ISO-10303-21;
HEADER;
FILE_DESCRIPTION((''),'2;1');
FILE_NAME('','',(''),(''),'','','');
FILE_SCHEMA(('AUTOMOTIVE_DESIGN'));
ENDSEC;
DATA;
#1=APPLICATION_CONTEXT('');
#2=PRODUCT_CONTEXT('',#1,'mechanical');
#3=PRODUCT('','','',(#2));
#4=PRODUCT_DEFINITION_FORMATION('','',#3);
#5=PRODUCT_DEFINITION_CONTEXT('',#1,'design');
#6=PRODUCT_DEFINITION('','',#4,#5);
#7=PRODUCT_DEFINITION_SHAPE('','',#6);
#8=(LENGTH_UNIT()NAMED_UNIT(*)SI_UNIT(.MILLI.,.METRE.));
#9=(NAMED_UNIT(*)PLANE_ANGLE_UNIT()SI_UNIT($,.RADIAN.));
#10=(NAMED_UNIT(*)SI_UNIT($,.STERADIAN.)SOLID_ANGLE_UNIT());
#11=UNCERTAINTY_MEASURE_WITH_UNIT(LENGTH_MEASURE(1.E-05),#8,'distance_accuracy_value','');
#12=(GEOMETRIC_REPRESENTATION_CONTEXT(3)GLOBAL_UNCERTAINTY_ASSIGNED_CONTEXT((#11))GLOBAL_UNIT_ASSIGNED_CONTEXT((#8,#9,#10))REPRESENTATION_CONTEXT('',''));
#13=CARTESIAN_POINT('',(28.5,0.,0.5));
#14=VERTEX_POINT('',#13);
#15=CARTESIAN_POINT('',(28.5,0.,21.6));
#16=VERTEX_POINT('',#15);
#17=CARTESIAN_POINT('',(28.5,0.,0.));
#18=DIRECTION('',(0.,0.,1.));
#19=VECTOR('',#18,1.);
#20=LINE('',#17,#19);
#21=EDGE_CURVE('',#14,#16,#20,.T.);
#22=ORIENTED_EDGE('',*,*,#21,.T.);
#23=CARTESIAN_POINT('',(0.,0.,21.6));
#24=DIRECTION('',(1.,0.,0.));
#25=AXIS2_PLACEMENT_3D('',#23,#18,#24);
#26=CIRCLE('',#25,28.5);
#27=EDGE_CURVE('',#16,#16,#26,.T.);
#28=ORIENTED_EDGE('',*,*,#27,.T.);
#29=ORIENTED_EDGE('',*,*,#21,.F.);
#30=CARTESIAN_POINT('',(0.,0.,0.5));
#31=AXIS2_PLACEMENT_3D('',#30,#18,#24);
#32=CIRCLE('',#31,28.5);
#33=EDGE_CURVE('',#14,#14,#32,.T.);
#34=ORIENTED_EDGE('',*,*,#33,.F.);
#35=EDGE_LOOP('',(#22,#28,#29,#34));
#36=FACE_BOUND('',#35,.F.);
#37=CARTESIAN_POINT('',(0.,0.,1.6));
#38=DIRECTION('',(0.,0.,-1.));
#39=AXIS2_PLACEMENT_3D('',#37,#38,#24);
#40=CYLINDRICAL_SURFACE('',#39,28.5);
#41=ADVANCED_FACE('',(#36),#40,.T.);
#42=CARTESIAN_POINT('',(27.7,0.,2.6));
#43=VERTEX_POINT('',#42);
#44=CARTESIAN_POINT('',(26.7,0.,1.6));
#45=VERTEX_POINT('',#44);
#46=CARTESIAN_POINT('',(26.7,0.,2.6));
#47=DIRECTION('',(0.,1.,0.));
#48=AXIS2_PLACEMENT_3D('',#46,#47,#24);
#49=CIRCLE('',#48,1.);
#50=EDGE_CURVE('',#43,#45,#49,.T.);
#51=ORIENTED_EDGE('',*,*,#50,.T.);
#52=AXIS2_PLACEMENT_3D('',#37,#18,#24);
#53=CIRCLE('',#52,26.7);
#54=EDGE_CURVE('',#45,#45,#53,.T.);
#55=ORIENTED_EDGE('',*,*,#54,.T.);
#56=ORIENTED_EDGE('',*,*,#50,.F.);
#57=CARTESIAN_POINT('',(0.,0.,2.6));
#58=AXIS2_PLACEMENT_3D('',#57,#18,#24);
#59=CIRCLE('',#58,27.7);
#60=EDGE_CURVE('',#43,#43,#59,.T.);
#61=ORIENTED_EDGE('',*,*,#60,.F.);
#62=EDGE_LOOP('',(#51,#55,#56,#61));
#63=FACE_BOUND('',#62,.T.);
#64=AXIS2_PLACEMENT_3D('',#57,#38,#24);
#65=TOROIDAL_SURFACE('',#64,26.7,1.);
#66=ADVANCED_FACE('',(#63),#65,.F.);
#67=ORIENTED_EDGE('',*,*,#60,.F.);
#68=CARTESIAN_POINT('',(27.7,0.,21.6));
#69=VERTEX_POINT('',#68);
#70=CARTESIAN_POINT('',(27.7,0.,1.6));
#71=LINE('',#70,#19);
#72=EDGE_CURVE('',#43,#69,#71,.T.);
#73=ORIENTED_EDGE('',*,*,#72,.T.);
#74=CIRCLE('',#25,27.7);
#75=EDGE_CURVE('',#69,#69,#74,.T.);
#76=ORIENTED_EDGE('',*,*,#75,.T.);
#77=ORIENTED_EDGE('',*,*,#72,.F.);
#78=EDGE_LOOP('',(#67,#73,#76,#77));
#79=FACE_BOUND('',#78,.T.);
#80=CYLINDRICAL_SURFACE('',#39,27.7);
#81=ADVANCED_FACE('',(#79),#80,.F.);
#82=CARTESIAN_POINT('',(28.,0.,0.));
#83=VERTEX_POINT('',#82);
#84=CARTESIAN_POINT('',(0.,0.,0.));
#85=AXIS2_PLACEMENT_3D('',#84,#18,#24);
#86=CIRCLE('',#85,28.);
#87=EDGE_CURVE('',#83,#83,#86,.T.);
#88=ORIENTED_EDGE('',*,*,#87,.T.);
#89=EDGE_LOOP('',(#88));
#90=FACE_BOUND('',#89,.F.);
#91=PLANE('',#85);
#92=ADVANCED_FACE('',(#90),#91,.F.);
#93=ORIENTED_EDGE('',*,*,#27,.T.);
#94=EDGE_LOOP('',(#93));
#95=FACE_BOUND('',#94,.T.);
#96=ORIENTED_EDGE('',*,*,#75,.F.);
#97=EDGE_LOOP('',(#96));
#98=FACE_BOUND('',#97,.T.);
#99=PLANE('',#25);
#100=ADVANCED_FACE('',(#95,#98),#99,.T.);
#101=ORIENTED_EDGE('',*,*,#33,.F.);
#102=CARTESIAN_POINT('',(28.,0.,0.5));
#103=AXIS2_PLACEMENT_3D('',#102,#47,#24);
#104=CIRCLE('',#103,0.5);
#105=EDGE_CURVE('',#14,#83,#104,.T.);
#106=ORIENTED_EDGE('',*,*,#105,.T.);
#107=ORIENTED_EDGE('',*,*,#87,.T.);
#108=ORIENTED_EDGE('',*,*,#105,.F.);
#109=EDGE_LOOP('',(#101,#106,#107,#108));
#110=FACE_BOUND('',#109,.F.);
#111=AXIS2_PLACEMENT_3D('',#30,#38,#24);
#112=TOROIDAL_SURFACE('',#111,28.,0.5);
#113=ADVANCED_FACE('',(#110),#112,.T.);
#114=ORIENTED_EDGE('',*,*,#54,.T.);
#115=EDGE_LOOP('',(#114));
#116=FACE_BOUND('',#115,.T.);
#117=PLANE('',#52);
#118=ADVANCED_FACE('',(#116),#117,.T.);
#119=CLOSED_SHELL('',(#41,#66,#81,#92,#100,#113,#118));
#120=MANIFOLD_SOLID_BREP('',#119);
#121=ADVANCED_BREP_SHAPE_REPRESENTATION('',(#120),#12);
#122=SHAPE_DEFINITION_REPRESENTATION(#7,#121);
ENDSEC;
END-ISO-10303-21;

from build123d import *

# Parameters (mm, degrees)
SKETCH_R      = 28.5
PAD_DEPTH     = 1.6
SKETCH001_R   = 28.5
SKETCH001_R_2 = 27.7
PAD001_DEPTH  = 20
FILLET_R      = 0.5
FILLET001_R   = 1


with BuildPart() as part:
    # Sketch → Pad (new body)
    with BuildSketch(Plane.XY):
        Circle(SKETCH_R)
    extrude(amount=PAD_DEPTH)

    # Sketch001 (on Face3 of Pad) → Pad001 (join)
    with BuildSketch(Plane.XY.offset(1.6)):
        Circle(SKETCH001_R)
        Circle(SKETCH001_R_2, mode=Mode.SUBTRACT)
    extrude(amount=PAD001_DEPTH)

    # Fillet
    fillet_edges = [part.edges().sort_by_distance(p)[0] for p in [
        (-28.5, 0, 0),
    ]]
    fillet(fillet_edges, radius=FILLET_R)

    # Fillet001
    fillet001_edges = [part.edges().sort_by_distance(p)[0] for p in [
        (-27.7, 0, 1.6),
    ]]
    fillet(fillet001_edges, radius=FILLET001_R)


solid = part.part
